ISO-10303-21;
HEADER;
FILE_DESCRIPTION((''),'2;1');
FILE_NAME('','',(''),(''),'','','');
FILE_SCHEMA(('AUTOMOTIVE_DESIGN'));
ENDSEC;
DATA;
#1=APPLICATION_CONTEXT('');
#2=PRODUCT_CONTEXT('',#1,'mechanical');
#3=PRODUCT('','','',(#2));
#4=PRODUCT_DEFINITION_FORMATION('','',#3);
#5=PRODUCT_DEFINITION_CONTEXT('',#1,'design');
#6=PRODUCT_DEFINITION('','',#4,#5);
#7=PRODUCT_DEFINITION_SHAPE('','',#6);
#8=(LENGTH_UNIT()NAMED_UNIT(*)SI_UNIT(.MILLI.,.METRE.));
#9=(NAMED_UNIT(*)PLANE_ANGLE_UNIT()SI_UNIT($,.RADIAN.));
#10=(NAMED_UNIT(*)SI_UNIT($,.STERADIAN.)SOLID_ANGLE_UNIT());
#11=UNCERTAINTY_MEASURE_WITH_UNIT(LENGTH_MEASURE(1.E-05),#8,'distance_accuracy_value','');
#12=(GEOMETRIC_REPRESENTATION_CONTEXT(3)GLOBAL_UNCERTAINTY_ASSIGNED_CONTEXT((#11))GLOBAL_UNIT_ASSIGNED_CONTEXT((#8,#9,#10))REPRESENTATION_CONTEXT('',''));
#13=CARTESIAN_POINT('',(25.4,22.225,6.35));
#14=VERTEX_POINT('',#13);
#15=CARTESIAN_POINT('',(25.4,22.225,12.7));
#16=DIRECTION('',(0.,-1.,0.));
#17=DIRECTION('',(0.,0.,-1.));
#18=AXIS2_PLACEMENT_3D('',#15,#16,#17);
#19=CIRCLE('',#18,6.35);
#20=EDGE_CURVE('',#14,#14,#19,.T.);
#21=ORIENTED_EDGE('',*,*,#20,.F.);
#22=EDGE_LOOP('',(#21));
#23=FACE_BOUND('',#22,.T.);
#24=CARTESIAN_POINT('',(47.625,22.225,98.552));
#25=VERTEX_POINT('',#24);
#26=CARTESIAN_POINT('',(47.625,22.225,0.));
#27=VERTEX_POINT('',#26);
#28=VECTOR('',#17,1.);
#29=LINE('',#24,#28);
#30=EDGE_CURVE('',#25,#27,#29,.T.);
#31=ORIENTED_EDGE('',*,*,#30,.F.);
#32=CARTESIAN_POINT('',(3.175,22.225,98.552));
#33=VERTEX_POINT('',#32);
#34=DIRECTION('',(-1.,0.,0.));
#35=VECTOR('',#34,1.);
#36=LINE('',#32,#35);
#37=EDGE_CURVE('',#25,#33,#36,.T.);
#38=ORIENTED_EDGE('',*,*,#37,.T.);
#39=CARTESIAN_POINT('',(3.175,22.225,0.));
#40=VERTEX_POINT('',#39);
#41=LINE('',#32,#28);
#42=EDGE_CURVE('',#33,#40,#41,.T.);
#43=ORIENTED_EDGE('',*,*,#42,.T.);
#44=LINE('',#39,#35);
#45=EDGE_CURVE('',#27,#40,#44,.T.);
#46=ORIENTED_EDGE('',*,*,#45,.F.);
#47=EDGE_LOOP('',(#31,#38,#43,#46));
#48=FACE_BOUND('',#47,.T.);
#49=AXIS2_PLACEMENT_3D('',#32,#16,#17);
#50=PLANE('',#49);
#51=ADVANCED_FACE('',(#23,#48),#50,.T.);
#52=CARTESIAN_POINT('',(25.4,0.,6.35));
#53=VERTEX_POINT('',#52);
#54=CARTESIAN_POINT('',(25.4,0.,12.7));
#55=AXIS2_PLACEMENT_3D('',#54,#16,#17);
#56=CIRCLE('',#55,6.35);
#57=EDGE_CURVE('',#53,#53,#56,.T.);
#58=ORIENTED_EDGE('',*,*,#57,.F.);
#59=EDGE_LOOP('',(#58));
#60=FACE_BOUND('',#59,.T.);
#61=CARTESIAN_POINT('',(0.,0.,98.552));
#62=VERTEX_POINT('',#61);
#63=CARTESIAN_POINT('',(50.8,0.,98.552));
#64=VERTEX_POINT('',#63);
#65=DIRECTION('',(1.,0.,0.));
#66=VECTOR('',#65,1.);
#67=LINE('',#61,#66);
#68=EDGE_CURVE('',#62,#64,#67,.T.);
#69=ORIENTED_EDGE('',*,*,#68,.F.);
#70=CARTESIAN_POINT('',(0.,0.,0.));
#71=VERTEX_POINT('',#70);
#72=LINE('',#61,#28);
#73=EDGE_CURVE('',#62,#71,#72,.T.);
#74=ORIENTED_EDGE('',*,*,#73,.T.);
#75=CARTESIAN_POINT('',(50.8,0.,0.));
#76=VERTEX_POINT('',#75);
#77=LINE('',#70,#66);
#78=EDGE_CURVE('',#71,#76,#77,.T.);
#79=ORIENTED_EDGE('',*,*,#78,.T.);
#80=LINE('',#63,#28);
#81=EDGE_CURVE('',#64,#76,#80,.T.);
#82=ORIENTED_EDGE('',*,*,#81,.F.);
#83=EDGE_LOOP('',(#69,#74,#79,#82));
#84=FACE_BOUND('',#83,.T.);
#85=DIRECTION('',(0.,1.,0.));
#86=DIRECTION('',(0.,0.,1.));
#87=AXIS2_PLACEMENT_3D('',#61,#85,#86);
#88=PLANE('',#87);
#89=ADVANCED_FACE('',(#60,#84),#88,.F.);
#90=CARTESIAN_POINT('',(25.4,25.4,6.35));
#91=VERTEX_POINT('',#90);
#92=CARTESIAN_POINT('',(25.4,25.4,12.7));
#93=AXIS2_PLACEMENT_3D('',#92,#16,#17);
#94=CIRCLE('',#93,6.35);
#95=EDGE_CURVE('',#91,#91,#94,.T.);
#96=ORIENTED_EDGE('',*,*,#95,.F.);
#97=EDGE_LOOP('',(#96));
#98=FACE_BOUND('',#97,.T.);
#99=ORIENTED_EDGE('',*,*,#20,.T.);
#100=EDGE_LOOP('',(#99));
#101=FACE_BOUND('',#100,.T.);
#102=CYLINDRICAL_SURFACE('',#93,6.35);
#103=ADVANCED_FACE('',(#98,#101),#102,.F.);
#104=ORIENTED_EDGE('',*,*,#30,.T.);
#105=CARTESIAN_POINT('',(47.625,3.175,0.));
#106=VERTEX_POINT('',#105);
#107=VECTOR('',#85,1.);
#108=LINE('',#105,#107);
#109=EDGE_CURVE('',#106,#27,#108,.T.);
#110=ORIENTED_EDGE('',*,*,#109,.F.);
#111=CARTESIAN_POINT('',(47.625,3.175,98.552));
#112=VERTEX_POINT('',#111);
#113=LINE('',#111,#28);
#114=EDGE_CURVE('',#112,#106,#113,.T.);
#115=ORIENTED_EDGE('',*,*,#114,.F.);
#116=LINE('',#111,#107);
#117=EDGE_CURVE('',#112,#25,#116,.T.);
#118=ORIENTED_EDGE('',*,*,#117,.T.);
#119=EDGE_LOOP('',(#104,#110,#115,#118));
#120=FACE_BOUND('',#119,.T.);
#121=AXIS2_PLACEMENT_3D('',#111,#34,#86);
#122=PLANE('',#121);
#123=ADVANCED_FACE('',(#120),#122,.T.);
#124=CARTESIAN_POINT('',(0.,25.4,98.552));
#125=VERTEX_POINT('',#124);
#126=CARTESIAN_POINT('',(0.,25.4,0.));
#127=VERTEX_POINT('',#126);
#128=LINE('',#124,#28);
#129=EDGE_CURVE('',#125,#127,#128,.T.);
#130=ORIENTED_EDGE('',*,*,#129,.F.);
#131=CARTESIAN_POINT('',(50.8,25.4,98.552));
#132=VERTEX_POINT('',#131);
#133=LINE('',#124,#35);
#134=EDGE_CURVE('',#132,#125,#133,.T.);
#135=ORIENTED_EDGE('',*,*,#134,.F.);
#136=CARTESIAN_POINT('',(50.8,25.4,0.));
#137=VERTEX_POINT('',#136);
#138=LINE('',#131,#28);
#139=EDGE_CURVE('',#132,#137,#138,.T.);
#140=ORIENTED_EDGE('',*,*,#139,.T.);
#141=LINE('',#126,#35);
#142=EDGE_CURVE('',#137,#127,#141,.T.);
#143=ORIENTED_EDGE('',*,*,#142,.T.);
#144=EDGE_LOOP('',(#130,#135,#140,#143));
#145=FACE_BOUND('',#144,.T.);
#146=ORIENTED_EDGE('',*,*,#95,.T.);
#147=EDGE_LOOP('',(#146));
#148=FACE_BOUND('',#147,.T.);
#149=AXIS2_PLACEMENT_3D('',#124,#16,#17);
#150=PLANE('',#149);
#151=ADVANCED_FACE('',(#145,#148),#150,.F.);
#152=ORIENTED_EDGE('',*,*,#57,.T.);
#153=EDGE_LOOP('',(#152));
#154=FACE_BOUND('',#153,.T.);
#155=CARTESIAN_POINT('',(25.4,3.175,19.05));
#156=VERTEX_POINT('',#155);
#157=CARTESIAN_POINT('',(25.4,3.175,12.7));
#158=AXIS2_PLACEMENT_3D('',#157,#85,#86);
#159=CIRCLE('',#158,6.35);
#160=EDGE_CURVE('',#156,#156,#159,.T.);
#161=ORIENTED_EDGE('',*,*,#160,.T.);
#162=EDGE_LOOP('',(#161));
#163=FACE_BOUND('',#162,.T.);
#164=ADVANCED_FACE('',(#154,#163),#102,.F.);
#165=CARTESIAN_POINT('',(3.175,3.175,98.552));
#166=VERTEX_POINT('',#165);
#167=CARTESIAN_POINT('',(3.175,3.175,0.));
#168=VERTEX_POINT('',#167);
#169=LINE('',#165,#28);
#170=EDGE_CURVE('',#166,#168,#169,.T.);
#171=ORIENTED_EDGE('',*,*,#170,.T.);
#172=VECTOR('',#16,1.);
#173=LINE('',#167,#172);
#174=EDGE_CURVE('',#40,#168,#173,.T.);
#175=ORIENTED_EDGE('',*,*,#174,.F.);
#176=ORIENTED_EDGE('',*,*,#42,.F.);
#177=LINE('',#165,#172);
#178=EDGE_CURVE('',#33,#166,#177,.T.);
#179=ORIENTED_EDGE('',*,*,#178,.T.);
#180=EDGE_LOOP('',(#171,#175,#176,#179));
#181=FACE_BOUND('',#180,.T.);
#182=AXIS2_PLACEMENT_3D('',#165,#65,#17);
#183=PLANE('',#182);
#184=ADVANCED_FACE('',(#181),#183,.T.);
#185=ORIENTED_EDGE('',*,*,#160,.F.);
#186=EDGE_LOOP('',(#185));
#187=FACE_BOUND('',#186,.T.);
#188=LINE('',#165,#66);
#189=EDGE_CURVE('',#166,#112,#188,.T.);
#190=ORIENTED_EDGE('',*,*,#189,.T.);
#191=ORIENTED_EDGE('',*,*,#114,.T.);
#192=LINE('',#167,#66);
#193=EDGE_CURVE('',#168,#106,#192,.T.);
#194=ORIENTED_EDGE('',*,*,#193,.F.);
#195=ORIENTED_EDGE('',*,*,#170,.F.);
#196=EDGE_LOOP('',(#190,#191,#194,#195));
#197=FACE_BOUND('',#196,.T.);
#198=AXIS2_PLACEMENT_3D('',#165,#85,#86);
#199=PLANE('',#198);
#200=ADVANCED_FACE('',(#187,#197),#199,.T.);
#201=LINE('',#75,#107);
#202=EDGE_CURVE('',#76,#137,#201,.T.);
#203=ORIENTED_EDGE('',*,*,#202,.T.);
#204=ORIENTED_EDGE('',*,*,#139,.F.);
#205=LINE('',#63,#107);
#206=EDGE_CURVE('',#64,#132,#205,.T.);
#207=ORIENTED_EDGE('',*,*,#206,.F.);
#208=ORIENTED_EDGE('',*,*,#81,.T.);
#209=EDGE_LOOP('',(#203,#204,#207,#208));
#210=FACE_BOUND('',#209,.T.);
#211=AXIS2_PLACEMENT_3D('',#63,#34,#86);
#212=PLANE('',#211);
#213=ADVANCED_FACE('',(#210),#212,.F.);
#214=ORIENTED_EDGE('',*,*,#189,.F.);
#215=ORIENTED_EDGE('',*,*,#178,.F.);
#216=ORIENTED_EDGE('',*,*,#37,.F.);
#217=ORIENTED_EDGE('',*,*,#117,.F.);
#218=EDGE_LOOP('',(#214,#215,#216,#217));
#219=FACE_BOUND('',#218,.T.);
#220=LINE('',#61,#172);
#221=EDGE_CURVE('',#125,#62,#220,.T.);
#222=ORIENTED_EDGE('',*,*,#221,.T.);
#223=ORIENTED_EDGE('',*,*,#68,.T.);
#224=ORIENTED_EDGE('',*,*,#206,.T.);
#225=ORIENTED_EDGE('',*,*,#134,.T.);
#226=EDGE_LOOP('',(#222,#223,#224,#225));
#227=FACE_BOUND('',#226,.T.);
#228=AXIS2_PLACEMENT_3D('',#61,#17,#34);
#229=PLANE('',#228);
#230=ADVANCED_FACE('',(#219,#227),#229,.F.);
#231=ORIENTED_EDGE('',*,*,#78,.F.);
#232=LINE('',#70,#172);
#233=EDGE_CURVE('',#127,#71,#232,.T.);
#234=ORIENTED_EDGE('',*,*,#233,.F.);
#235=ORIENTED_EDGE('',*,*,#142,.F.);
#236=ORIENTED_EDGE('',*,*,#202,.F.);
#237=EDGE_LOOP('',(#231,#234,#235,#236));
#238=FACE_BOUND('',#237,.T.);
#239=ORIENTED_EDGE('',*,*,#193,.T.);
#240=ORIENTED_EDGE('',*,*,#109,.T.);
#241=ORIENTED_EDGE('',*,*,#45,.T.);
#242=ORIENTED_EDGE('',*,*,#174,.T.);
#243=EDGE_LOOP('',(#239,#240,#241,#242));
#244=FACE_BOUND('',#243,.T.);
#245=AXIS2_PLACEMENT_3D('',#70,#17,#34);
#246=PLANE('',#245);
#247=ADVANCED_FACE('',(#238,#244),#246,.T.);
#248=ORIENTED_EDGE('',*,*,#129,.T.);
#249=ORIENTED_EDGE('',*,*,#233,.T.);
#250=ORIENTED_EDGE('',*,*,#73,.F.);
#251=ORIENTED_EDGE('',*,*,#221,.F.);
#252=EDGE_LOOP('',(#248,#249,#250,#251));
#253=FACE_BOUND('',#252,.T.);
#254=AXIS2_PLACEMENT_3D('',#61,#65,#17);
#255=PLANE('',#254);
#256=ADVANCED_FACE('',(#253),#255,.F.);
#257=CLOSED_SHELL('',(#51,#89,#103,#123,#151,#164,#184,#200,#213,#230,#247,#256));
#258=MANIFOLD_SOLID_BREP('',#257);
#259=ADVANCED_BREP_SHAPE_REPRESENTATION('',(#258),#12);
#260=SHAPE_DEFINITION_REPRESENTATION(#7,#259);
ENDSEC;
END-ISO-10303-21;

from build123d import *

# Parameters (mm, degrees)
SKETCH1_W           = 50.8
SKETCH1_H           = 25.4
SKETCH1_W_2         = 44.45
SKETCH1_H_2         = 19.05
BOSS_EXTRUDE1_DEPTH = 98.552
SKETCH2_R           = 6.35
CUT_EXTRUDE1_DEPTH  = 114.746633814


with BuildPart() as part:
    # Sketch1 → Boss-Extrude1 (new body)
    with BuildSketch(Plane.XY):
        with Locations((25.4, 12.7)):
            Rectangle(SKETCH1_W, SKETCH1_H)
        with Locations((25.4, 12.7)):
            Rectangle(SKETCH1_W_2, SKETCH1_H_2, mode=Mode.SUBTRACT)
    extrude(amount=BOSS_EXTRUDE1_DEPTH)

    # Sketch2 → Cut-Extrude1 (cut, through all)
    with BuildSketch(Plane.XZ):
        with Locations(Location((25.4, 12.7, 0), (0, 0, 270))):
            Circle(SKETCH2_R)
    extrude(amount=-CUT_EXTRUDE1_DEPTH, mode=Mode.SUBTRACT)


solid = part.part
